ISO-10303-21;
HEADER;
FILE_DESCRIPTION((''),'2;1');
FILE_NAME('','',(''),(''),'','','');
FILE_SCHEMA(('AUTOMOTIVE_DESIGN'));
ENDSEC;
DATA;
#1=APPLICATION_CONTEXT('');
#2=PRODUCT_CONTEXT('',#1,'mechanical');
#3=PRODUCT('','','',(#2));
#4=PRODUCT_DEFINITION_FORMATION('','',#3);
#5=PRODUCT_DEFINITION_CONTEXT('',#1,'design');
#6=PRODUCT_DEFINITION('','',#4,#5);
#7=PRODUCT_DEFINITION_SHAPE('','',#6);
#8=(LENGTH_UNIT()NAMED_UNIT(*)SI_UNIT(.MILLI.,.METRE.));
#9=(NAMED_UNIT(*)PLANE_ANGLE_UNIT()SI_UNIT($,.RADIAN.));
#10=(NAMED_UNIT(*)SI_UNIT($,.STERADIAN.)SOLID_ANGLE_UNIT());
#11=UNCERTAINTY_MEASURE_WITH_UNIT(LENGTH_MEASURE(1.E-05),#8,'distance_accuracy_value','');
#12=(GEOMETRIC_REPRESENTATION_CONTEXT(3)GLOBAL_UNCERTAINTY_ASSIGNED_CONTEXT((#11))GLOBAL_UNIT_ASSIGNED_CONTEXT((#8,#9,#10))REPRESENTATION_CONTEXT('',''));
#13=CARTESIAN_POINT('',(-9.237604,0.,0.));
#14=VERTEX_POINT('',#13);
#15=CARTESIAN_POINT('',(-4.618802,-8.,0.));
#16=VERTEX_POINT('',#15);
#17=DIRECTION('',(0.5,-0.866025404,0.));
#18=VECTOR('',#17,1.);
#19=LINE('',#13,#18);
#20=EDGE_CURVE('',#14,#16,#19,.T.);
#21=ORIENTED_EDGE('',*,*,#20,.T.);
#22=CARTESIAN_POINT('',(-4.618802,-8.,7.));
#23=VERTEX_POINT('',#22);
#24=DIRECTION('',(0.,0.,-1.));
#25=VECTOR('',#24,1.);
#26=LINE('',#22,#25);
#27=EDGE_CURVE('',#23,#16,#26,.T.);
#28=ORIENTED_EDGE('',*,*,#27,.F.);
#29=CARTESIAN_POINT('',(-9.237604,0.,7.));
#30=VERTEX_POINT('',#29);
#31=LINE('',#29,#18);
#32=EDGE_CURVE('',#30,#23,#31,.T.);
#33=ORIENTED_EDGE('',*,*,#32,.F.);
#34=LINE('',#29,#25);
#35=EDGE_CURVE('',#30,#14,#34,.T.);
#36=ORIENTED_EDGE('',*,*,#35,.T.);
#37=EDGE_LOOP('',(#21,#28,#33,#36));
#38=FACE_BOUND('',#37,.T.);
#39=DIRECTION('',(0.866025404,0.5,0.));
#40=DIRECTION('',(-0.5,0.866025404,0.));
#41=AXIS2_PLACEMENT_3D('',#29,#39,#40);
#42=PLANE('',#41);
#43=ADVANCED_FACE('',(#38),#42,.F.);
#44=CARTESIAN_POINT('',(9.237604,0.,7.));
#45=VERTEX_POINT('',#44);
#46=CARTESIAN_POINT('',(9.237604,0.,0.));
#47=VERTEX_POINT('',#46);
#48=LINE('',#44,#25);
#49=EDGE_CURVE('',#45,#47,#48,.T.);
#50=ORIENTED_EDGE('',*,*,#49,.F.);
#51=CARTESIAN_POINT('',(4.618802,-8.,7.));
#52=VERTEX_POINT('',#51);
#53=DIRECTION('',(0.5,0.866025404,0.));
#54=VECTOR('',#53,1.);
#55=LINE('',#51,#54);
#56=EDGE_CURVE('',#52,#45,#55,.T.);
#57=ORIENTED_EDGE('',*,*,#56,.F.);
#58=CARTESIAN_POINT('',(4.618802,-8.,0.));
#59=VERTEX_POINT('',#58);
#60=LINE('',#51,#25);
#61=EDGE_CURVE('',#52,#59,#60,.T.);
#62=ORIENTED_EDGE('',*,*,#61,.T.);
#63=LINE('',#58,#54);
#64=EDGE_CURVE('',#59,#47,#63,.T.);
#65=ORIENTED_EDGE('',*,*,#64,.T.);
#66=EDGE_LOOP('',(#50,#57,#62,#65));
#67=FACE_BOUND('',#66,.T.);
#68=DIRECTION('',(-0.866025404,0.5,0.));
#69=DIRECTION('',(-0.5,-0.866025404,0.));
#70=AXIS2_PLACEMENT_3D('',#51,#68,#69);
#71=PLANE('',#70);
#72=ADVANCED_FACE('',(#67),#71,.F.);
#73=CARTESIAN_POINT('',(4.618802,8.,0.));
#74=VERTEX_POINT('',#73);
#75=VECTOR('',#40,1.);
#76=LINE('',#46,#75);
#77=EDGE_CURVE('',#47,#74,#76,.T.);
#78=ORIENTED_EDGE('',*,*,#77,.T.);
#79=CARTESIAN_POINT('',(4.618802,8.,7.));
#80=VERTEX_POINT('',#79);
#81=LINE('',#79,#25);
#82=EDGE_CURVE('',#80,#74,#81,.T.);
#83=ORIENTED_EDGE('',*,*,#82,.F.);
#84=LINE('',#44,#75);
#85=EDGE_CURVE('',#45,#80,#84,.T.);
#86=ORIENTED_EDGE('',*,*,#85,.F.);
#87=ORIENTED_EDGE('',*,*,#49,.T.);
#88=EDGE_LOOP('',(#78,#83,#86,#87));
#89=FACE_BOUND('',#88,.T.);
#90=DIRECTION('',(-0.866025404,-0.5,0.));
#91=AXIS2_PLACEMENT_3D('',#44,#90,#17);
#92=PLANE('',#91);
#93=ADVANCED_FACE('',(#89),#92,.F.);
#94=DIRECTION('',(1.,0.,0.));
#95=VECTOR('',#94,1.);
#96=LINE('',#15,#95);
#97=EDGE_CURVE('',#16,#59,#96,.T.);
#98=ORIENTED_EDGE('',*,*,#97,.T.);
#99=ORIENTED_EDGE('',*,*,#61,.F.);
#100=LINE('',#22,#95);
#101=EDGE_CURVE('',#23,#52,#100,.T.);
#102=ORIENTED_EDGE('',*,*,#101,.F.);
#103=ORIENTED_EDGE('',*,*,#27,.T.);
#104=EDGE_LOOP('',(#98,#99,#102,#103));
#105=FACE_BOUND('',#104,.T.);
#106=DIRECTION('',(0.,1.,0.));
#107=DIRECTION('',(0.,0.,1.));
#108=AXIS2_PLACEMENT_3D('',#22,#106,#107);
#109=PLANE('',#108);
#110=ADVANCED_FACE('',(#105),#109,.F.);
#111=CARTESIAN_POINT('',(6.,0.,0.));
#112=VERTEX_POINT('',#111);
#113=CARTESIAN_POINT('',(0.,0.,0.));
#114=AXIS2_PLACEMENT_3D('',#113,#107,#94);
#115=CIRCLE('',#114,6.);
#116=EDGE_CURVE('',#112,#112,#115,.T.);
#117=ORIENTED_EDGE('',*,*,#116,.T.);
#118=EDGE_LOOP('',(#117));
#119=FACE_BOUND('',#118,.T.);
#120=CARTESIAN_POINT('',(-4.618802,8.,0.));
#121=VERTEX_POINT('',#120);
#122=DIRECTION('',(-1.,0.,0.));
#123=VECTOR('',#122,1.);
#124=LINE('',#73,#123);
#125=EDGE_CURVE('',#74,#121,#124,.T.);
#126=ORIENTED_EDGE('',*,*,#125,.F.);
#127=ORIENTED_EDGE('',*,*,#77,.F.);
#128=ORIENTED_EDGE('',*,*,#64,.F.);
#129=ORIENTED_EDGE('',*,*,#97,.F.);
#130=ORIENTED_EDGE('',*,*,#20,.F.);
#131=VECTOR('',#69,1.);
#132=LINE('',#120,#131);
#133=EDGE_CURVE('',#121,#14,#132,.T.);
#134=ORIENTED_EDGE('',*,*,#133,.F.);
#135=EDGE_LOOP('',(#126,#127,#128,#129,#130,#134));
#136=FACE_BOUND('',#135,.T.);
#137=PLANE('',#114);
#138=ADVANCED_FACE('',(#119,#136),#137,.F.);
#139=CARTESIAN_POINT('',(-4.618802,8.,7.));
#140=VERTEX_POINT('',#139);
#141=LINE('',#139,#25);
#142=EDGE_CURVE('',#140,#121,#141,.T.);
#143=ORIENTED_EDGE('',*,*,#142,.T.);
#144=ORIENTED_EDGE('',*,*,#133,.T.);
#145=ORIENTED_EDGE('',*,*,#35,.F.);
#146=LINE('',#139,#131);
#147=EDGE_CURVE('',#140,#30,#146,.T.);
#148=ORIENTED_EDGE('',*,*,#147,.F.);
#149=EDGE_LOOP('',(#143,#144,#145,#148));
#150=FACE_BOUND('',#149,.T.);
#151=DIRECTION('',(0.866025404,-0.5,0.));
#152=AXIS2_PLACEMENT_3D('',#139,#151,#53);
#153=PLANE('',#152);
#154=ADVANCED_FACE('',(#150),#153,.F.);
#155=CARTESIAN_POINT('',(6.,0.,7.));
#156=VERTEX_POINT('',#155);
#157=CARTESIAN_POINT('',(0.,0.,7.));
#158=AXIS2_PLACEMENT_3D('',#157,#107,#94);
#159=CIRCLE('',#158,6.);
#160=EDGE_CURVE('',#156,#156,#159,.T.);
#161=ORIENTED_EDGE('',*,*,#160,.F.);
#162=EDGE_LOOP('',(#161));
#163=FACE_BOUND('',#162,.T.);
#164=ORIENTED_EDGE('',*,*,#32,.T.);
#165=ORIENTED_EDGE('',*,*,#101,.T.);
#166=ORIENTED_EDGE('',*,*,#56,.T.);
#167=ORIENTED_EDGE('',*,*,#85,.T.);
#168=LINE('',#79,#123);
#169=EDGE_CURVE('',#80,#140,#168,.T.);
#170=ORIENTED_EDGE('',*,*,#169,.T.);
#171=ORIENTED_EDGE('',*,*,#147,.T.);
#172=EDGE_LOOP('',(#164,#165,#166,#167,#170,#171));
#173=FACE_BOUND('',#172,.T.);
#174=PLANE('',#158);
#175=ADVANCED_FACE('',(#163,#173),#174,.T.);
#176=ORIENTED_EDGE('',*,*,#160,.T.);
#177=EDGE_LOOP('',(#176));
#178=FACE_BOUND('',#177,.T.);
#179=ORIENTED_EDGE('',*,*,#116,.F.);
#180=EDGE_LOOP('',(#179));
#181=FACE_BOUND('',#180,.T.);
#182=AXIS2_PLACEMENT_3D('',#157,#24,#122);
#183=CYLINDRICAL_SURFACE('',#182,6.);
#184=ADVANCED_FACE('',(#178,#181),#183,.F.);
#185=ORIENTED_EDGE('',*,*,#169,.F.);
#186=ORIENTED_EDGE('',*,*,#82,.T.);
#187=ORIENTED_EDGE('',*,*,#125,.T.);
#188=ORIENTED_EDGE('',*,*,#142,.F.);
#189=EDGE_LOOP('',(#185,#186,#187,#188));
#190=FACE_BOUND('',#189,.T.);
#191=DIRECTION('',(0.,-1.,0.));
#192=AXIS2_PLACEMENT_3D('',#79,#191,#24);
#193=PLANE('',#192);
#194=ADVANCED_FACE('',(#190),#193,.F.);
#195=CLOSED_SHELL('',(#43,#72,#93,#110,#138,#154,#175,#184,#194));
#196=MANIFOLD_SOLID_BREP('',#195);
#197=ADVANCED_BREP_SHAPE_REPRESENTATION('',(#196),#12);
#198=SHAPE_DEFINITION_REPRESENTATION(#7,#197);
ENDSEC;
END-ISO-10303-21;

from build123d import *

# Parameters (mm, degrees)
CROQUIS1_R              = 6
SALIENTE_EXTRUIR1_DEPTH = 7


with BuildPart() as part:
    # Croquis1 → Saliente-Extruir1 (new body)
    with BuildSketch(Plane.XY):
        Polygon((9.237604307, 0), (4.618802154, 8), (-4.618802154, 8), (-9.237604307, 0), (-4.618802154, -8), (4.618802154, -8), align=None)
        Circle(CROQUIS1_R, mode=Mode.SUBTRACT)
    extrude(amount=SALIENTE_EXTRUIR1_DEPTH)


solid = part.part
